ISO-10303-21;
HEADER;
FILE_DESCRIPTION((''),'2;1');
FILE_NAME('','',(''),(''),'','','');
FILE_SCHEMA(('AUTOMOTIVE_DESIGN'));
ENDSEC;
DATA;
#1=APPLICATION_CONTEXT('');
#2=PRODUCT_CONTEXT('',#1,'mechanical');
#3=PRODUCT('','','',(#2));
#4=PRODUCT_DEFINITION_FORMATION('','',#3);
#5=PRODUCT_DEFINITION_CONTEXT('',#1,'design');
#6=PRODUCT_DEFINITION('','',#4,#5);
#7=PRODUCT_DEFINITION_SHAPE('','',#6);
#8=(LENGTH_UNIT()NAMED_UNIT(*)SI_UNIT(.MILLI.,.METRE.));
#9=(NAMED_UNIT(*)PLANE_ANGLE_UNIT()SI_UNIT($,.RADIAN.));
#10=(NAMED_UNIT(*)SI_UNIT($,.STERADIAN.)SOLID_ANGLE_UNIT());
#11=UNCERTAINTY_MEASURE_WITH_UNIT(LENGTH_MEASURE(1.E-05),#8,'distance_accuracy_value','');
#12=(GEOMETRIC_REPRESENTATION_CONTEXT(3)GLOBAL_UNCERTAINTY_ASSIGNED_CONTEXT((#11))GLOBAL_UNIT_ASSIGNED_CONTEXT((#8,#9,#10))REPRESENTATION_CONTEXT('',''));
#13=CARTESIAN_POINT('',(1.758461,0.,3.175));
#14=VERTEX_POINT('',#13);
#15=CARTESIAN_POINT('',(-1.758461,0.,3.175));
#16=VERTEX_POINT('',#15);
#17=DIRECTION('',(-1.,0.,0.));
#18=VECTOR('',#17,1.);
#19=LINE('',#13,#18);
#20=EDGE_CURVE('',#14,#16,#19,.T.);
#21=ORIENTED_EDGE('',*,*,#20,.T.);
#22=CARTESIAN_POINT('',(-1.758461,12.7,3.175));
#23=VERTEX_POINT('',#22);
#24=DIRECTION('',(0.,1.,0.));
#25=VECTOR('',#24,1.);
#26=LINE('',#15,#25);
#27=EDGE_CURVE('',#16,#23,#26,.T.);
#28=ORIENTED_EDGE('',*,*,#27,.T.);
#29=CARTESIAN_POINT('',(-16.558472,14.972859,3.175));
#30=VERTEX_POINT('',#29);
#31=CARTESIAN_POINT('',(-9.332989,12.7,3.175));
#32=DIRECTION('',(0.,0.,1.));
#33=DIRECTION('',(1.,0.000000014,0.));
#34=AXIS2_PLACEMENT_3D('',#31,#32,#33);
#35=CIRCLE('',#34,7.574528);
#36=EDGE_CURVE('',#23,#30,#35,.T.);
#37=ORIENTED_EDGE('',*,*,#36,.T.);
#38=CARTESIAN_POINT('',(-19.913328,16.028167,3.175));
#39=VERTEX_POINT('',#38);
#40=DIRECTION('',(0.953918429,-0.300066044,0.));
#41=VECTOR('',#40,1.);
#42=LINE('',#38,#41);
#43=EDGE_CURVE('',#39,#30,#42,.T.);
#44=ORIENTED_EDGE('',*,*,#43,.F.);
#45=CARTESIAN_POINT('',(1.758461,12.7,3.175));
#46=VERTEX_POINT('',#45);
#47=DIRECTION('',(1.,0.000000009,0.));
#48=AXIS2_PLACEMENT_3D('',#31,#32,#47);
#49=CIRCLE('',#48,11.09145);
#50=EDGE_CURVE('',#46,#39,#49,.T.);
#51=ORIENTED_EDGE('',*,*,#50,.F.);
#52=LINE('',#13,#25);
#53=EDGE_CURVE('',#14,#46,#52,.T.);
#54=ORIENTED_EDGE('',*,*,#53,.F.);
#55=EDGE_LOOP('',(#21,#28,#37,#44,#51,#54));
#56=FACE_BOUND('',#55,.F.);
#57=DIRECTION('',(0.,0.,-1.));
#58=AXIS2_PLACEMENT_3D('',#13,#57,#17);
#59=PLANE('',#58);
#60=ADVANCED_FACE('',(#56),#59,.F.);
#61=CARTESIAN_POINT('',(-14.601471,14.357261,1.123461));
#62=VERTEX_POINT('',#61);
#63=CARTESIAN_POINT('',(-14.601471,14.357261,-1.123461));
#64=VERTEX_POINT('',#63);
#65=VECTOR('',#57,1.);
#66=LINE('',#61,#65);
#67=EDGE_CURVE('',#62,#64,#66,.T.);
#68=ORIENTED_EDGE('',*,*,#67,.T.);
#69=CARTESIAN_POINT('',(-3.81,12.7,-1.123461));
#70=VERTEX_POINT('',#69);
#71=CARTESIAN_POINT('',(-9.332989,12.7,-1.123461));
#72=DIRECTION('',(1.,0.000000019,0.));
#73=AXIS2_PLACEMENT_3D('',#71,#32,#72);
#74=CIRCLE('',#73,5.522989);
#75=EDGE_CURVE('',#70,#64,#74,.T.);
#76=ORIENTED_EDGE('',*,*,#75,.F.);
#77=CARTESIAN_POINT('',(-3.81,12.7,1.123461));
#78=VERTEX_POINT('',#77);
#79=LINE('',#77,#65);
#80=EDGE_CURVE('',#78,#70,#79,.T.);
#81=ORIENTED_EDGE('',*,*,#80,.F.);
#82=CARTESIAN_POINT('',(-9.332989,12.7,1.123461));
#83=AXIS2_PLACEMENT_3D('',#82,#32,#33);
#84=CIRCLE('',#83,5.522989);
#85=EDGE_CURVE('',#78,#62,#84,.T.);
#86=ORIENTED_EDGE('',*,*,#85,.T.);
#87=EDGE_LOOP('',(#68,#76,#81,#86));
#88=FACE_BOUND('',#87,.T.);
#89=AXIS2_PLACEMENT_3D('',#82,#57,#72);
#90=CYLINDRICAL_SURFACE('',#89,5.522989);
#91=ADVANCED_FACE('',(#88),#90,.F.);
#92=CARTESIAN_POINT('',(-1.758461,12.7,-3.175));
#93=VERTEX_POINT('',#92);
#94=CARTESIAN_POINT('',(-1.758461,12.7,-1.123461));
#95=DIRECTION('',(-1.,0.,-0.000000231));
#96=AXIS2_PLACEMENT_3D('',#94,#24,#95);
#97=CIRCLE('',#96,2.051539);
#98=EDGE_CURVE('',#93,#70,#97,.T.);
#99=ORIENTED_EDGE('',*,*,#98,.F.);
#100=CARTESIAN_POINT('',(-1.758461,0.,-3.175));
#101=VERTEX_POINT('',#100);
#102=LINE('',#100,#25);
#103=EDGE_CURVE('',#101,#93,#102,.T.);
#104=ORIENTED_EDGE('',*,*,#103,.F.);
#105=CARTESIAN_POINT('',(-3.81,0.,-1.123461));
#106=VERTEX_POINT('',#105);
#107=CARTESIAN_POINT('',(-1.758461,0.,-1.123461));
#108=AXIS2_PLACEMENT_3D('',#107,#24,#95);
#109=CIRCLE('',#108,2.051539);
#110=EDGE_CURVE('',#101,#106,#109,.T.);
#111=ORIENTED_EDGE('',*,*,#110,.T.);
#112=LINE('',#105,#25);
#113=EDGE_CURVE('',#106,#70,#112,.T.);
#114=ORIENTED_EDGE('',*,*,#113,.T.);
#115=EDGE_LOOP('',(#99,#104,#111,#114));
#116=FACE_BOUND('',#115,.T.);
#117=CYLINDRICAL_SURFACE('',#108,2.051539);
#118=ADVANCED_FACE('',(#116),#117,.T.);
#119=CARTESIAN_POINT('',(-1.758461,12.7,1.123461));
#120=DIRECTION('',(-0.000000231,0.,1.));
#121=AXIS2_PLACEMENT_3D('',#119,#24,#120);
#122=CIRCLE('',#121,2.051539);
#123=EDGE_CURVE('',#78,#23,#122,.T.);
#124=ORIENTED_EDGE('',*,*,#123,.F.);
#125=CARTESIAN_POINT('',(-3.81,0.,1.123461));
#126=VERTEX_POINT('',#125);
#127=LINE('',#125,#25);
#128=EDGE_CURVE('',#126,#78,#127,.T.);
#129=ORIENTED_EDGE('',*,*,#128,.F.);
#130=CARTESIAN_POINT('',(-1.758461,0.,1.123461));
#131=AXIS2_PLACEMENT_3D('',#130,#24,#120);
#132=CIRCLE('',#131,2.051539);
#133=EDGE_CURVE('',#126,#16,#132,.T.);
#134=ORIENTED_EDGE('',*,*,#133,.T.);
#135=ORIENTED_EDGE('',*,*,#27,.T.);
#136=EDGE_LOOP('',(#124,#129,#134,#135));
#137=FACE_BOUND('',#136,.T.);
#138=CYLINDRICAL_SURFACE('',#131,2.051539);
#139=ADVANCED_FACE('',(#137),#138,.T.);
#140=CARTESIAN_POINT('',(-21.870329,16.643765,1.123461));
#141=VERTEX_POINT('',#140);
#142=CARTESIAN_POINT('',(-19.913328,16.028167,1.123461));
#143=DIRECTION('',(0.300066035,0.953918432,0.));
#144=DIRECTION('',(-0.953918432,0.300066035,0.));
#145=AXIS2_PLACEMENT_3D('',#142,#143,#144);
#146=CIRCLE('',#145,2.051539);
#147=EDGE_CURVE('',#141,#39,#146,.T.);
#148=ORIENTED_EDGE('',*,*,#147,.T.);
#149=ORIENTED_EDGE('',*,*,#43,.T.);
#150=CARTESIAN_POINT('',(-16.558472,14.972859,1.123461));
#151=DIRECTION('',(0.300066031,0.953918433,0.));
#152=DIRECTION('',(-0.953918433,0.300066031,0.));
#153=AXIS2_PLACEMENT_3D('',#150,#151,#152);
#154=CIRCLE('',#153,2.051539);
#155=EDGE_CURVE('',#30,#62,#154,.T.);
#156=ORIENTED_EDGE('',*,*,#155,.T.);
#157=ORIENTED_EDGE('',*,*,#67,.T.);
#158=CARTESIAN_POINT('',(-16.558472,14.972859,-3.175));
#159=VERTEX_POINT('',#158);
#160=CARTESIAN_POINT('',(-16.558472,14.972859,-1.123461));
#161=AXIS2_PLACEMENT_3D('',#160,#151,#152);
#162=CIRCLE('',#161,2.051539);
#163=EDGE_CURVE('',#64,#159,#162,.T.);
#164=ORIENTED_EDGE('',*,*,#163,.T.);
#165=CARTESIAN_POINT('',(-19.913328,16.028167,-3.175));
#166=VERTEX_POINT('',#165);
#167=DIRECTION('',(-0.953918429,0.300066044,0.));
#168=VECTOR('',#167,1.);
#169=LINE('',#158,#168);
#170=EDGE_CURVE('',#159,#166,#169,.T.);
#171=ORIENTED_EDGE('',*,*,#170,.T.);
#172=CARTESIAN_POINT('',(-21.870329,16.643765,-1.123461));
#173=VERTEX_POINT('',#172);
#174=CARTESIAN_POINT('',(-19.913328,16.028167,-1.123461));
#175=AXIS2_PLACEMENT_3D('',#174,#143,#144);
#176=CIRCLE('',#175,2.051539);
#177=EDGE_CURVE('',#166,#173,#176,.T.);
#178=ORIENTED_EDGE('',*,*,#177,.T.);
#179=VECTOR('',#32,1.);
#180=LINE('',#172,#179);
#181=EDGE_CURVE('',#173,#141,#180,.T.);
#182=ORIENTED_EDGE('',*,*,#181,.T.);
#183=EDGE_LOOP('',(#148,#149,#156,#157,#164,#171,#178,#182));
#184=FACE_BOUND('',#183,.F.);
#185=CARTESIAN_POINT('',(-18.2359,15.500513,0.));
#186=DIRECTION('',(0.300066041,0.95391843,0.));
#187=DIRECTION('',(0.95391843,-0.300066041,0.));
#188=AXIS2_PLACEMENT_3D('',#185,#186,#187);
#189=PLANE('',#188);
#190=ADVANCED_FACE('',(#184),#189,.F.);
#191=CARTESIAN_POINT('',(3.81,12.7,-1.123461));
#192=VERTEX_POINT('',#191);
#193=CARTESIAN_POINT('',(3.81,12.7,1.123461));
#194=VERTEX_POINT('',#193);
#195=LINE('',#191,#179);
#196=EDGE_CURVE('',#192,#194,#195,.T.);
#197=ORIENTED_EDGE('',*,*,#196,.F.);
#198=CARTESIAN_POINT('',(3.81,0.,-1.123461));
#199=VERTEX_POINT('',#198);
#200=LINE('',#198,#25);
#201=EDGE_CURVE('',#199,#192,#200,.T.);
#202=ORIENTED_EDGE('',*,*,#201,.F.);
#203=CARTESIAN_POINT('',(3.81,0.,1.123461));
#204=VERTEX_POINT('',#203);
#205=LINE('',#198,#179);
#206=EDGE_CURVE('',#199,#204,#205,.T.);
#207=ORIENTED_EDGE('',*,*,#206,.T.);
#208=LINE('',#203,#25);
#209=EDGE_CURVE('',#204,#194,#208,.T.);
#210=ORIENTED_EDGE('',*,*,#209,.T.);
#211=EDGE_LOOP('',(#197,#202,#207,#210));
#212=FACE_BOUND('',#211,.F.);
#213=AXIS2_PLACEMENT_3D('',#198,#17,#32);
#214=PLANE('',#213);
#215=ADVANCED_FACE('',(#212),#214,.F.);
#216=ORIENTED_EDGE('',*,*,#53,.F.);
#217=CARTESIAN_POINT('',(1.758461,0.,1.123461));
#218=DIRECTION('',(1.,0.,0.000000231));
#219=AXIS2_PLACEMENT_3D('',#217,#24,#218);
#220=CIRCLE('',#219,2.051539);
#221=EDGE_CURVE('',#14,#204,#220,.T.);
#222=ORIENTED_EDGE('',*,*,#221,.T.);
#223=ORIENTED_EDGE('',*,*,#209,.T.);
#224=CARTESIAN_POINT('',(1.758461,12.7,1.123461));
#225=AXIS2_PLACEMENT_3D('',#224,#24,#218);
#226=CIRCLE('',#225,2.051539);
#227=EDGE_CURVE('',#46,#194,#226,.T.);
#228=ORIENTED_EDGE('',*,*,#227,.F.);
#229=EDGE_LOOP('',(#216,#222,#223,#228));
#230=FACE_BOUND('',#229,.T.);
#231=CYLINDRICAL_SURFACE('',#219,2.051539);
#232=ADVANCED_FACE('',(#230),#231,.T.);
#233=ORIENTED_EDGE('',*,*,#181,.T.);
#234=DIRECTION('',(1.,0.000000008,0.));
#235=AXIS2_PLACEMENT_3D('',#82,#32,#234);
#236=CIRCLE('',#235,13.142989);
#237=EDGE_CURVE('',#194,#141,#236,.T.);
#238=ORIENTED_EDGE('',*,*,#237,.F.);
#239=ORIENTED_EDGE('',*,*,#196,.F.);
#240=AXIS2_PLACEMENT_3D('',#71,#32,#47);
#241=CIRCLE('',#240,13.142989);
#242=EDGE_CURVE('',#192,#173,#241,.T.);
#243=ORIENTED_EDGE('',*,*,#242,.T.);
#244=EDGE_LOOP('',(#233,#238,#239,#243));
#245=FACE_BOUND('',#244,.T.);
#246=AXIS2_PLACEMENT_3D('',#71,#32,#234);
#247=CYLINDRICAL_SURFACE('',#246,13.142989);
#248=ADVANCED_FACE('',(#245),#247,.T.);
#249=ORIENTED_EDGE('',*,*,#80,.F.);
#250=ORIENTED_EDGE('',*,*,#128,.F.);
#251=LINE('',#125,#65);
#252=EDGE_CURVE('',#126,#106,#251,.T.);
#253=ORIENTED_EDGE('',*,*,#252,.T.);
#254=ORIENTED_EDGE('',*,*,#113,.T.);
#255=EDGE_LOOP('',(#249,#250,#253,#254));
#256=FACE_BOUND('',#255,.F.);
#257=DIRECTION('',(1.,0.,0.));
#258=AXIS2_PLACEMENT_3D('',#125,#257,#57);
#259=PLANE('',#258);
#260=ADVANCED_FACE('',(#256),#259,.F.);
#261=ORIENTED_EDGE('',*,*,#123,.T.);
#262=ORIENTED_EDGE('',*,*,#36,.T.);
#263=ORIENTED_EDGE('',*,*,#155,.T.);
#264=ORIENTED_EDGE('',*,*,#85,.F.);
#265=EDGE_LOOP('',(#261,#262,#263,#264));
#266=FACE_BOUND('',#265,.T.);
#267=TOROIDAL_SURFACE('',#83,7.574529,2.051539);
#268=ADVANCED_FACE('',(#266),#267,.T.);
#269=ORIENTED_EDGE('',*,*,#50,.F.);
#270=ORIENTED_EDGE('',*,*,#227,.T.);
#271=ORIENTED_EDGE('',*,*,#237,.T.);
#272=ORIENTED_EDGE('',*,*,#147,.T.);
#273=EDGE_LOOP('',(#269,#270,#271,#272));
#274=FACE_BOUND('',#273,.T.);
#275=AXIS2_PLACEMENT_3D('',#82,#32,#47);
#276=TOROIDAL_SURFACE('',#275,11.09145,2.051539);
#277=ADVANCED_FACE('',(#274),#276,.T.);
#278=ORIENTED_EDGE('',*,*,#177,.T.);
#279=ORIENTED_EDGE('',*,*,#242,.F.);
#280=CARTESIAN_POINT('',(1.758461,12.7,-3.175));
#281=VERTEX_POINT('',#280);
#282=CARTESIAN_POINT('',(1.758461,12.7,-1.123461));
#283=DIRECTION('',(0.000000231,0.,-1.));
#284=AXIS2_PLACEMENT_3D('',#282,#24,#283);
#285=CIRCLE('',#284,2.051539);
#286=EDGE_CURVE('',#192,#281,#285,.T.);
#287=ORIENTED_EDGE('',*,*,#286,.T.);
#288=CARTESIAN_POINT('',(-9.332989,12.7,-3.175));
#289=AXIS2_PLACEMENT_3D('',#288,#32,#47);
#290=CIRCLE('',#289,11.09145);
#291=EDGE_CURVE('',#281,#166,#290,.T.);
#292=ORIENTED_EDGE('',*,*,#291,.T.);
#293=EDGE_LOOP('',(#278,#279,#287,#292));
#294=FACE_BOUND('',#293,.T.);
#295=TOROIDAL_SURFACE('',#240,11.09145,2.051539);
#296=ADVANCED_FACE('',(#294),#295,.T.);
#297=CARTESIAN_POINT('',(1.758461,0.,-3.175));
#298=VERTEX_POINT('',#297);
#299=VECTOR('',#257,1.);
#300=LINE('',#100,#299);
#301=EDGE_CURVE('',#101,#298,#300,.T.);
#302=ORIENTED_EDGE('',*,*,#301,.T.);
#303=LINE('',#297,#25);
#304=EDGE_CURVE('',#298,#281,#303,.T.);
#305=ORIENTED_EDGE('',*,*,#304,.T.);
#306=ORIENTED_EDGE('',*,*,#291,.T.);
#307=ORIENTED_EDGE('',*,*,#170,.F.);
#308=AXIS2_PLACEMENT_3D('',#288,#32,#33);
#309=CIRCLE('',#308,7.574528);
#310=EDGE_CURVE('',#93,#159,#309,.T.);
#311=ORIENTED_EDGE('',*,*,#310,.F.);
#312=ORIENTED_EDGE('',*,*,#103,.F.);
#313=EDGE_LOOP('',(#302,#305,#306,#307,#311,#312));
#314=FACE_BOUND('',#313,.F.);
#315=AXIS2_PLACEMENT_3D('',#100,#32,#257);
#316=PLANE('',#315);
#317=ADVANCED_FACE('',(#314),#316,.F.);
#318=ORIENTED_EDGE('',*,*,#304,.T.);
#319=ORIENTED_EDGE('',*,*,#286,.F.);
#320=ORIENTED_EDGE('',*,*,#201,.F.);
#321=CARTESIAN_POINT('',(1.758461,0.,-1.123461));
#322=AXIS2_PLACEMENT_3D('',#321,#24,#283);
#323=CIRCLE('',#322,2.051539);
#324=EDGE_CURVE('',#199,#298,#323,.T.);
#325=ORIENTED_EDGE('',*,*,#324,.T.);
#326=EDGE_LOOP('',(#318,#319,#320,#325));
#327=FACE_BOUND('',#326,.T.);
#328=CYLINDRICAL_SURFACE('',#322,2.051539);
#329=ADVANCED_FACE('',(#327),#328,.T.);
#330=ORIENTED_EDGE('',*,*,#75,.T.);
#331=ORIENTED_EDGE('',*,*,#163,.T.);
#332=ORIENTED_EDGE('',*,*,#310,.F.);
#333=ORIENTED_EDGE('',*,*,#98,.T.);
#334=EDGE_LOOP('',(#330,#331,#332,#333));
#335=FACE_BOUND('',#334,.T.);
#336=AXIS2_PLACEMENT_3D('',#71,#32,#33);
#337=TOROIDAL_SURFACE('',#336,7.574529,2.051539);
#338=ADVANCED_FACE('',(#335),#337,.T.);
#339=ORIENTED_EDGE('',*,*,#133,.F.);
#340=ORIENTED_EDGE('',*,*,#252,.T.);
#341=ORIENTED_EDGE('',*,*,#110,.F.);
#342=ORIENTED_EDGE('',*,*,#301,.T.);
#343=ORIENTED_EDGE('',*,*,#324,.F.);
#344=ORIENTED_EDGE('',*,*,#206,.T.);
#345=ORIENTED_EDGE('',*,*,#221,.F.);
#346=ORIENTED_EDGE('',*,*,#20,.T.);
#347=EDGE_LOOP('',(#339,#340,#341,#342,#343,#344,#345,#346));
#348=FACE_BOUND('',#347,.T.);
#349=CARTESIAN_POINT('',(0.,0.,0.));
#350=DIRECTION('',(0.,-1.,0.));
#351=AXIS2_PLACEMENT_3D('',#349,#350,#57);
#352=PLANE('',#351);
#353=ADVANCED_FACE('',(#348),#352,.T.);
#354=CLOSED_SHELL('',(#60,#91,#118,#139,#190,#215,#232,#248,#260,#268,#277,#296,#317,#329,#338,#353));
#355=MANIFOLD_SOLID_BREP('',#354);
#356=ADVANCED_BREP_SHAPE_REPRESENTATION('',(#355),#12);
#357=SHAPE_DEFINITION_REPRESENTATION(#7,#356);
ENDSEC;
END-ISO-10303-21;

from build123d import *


with BuildPart() as f2:
    # F2: sweep along a path in F1
    with BuildLine(Plane.XY) as f2_path:
        Line((0, 0), (0, 12.7))
        ThreePointArc((0, 12.7), (-7.916317, 21.924843), (-18.2359, 15.500513))
    # F0 (on Front) → F2 (sweep)
    with BuildSketch(Plane.XZ):
        with BuildLine():
            Line((-1.758461, -3.175), (1.758461, -3.175))
            ThreePointArc((1.758461, -3.175), (3.209118, -2.574118), (3.81, -1.123461))
            Line((3.81, -1.123461), (3.81, 1.123461))
            ThreePointArc((3.81, 1.123461), (3.209118, 2.574118), (1.758461, 3.175))
            Line((1.758461, 3.175), (-1.758461, 3.175))
            ThreePointArc((-1.758461, 3.175), (-3.209118, 2.574118), (-3.81, 1.123461))
            Line((-3.81, 1.123461), (-3.81, -1.123461))
            ThreePointArc((-3.81, -1.123461), (-3.209118, -2.574118), (-1.758461, -3.175))
        make_face()
    sweep(path=f2_path.line)


solid = f2.part
